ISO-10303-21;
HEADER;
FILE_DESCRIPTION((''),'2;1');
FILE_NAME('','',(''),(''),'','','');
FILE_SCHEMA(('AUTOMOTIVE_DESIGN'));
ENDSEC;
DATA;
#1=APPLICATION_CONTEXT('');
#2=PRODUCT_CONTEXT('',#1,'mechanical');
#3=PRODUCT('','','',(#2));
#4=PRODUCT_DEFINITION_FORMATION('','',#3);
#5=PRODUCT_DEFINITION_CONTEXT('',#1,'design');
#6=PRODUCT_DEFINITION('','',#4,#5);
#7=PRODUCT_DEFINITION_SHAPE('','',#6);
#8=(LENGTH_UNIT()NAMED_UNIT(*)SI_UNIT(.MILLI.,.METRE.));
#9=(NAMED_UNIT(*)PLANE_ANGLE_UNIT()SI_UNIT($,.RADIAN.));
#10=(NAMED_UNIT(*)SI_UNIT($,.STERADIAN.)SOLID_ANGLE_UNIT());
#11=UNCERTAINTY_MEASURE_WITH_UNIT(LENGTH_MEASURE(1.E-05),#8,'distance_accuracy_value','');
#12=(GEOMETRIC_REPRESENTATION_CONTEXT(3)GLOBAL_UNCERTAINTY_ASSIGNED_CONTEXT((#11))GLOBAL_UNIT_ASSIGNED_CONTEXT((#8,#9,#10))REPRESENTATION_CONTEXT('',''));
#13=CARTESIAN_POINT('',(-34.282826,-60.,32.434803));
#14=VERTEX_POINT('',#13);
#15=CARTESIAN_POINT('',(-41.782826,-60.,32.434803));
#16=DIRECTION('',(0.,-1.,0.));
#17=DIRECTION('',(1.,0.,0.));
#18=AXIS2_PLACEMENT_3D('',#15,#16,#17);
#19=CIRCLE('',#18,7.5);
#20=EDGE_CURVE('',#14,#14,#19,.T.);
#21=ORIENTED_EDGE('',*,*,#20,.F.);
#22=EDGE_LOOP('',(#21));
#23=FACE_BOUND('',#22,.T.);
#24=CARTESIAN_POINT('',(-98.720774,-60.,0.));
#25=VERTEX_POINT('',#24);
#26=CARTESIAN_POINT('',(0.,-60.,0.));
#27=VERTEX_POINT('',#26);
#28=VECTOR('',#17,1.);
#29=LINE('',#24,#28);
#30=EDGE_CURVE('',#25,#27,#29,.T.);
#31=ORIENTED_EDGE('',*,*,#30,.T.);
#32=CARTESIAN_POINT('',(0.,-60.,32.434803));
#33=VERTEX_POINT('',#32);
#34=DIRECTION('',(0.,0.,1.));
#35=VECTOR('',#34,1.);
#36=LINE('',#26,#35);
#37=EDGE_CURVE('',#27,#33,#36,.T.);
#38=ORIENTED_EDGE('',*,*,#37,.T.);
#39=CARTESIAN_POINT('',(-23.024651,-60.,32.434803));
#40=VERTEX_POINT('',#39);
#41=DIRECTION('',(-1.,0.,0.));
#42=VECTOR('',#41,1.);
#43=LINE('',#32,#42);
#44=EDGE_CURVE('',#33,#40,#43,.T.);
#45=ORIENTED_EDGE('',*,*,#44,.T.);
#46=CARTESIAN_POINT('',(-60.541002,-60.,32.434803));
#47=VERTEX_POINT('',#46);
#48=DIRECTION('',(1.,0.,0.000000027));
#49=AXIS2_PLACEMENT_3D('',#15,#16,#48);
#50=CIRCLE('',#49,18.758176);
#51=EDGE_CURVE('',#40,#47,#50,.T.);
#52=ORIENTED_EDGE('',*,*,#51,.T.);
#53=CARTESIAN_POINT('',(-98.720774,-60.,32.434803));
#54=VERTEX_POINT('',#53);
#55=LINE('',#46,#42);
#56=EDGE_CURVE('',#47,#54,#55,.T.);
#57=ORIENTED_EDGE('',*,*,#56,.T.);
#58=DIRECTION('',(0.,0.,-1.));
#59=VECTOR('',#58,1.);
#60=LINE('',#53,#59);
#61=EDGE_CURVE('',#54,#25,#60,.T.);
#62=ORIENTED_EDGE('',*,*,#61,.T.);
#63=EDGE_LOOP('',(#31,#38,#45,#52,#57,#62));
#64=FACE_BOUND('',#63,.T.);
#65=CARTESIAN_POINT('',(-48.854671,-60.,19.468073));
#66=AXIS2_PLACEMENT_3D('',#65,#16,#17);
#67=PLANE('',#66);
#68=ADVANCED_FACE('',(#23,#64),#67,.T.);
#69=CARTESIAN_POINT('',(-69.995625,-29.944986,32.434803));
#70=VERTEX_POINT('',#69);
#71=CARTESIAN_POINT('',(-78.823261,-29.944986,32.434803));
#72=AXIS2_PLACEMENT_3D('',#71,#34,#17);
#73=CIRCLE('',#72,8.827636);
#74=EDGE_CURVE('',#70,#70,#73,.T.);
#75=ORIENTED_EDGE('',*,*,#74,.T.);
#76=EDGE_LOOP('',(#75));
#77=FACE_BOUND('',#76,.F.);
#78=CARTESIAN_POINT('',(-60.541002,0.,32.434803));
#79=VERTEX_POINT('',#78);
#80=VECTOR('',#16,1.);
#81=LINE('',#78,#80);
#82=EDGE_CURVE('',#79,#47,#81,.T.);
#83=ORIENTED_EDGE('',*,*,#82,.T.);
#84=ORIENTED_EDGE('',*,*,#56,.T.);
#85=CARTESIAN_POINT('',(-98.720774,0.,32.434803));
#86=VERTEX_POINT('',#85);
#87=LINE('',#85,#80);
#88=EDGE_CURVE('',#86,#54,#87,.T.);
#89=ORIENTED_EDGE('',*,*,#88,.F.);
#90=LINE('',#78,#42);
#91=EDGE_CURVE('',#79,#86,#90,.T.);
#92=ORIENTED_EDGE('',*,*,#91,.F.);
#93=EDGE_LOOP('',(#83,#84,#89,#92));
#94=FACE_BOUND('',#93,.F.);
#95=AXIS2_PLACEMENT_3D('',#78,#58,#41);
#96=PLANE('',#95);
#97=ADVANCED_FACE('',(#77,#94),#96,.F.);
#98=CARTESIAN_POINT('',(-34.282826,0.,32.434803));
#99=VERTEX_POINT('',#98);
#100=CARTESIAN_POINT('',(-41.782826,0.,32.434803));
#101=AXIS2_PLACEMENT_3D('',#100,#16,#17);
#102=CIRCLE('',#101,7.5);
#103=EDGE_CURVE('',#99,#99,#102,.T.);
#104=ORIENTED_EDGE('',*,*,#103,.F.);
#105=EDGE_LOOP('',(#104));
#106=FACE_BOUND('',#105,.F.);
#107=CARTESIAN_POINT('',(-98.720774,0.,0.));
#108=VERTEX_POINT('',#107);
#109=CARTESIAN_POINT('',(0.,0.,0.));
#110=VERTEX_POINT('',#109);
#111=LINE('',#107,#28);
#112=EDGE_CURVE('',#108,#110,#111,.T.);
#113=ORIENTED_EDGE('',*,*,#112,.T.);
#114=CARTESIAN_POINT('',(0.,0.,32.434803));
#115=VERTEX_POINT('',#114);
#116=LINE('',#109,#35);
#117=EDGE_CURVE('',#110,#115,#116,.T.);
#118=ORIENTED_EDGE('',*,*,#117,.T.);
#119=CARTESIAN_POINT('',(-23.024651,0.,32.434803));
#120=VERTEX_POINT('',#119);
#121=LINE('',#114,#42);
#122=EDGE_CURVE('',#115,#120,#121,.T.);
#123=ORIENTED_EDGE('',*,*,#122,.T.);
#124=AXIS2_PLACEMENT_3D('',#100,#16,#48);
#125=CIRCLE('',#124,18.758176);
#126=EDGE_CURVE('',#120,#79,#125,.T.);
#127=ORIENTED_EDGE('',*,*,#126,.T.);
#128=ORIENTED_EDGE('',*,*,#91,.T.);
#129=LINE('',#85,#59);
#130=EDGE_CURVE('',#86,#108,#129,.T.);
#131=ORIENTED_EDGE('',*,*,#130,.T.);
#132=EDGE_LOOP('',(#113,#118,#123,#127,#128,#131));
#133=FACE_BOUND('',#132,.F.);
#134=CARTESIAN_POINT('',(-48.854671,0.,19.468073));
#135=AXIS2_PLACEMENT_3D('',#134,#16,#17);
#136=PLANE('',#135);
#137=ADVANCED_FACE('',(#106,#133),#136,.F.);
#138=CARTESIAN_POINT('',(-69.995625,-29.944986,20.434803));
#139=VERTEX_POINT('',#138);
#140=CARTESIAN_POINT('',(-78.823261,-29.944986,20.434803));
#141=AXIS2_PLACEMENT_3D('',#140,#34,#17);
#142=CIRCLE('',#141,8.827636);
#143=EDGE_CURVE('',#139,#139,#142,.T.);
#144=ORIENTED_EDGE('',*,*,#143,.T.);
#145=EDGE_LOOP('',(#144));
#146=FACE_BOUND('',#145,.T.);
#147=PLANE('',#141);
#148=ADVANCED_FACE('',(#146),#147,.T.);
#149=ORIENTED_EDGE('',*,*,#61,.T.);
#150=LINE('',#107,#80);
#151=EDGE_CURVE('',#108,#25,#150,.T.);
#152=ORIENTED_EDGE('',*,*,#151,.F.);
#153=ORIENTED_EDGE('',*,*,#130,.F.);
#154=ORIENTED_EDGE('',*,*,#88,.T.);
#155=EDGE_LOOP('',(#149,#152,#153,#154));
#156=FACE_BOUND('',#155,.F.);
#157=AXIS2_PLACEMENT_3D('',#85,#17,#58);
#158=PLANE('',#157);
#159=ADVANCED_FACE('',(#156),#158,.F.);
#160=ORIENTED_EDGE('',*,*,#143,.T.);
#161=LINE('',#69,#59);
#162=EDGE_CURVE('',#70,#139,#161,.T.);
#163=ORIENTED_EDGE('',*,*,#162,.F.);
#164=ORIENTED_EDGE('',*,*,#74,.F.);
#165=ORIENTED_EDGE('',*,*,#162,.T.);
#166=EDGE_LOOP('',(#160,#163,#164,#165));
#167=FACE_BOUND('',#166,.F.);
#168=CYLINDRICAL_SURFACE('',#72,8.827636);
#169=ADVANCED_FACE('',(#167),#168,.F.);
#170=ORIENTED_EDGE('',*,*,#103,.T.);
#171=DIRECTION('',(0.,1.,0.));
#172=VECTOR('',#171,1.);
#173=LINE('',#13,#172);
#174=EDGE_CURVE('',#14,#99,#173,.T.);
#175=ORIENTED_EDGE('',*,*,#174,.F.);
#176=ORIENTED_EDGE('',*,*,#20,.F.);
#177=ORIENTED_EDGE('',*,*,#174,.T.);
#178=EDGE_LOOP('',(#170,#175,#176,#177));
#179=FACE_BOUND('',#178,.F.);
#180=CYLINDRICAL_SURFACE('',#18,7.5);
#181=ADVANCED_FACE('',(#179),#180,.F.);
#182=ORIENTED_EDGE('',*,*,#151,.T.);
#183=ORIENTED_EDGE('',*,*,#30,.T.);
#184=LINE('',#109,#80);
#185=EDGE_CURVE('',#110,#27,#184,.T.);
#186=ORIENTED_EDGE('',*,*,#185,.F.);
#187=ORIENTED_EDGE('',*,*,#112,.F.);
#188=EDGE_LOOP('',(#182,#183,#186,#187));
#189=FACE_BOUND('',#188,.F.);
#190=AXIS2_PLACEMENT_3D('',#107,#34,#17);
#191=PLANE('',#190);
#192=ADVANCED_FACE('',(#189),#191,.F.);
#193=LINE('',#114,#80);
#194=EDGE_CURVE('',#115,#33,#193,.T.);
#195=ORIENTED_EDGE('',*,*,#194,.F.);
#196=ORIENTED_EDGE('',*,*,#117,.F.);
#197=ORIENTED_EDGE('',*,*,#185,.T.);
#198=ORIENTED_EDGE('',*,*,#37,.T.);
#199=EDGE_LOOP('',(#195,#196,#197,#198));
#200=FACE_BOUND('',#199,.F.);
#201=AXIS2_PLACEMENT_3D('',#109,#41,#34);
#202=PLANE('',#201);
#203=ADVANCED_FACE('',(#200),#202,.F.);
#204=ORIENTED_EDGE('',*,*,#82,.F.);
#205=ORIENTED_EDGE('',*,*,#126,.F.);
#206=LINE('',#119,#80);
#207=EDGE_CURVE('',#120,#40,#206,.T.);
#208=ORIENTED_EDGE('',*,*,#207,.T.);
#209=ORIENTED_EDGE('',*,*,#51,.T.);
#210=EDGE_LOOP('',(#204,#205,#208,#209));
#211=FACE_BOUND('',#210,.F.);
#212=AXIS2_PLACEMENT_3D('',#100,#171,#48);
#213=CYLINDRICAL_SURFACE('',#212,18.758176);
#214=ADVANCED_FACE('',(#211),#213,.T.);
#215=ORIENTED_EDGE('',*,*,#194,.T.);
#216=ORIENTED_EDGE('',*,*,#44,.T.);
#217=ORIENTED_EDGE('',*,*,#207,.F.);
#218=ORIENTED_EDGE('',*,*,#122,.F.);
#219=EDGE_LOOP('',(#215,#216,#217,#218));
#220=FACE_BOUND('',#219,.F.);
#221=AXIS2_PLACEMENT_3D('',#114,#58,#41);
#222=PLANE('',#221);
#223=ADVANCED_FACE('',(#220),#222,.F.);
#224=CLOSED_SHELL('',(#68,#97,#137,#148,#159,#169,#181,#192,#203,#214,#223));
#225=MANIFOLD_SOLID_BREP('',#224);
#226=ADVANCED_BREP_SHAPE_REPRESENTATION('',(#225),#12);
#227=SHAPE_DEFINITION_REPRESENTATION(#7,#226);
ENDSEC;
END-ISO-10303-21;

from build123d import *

# Parameters (mm, degrees)
F1_DEPTH = 60
F2_R     = 7.5
F3_DEPTH = 60
F5_R     = 8.827636
F6_DEPTH = 12


with BuildPart() as f1:
    # F0 (on Front) → F1 (new body)
    with BuildSketch(Plane.XZ):
        with BuildLine():
            Line((-98.720774, 0), (0, 0))
            Line((0, 0), (0, 32.434803))
            Line((0, 32.434803), (-22.520235, 32.434803))
            Line((-22.520235, 32.434803), (-23.024651, 32.434803))
            ThreePointArc((-23.024651, 32.434803), (-41.782826, 51.192978), (-60.541002, 32.434803))
            Line((-60.541002, 32.434803), (-61.611962, 32.434803))
            Line((-61.611962, 32.434803), (-98.720774, 32.434803))
            Line((-98.720774, 32.434803), (-98.720774, 0))
        make_face()
    extrude(amount=F1_DEPTH)

    # F2 (on face) → F3 (cut, through all)
    with BuildSketch(Plane.XZ.offset(60)):
        with Locations((-41.782826, 32.434803)):
            Circle(F2_R)
    extrude(amount=-F3_DEPTH, mode=Mode.SUBTRACT)

    # F5 (on face) → F6 (cut)
    with BuildSketch(Plane.XY.offset(32.434803)):
        with Locations((-78.823261, -29.944986)):
            Circle(F5_R)
    extrude(amount=-F6_DEPTH, mode=Mode.SUBTRACT)


solid = f1.part
